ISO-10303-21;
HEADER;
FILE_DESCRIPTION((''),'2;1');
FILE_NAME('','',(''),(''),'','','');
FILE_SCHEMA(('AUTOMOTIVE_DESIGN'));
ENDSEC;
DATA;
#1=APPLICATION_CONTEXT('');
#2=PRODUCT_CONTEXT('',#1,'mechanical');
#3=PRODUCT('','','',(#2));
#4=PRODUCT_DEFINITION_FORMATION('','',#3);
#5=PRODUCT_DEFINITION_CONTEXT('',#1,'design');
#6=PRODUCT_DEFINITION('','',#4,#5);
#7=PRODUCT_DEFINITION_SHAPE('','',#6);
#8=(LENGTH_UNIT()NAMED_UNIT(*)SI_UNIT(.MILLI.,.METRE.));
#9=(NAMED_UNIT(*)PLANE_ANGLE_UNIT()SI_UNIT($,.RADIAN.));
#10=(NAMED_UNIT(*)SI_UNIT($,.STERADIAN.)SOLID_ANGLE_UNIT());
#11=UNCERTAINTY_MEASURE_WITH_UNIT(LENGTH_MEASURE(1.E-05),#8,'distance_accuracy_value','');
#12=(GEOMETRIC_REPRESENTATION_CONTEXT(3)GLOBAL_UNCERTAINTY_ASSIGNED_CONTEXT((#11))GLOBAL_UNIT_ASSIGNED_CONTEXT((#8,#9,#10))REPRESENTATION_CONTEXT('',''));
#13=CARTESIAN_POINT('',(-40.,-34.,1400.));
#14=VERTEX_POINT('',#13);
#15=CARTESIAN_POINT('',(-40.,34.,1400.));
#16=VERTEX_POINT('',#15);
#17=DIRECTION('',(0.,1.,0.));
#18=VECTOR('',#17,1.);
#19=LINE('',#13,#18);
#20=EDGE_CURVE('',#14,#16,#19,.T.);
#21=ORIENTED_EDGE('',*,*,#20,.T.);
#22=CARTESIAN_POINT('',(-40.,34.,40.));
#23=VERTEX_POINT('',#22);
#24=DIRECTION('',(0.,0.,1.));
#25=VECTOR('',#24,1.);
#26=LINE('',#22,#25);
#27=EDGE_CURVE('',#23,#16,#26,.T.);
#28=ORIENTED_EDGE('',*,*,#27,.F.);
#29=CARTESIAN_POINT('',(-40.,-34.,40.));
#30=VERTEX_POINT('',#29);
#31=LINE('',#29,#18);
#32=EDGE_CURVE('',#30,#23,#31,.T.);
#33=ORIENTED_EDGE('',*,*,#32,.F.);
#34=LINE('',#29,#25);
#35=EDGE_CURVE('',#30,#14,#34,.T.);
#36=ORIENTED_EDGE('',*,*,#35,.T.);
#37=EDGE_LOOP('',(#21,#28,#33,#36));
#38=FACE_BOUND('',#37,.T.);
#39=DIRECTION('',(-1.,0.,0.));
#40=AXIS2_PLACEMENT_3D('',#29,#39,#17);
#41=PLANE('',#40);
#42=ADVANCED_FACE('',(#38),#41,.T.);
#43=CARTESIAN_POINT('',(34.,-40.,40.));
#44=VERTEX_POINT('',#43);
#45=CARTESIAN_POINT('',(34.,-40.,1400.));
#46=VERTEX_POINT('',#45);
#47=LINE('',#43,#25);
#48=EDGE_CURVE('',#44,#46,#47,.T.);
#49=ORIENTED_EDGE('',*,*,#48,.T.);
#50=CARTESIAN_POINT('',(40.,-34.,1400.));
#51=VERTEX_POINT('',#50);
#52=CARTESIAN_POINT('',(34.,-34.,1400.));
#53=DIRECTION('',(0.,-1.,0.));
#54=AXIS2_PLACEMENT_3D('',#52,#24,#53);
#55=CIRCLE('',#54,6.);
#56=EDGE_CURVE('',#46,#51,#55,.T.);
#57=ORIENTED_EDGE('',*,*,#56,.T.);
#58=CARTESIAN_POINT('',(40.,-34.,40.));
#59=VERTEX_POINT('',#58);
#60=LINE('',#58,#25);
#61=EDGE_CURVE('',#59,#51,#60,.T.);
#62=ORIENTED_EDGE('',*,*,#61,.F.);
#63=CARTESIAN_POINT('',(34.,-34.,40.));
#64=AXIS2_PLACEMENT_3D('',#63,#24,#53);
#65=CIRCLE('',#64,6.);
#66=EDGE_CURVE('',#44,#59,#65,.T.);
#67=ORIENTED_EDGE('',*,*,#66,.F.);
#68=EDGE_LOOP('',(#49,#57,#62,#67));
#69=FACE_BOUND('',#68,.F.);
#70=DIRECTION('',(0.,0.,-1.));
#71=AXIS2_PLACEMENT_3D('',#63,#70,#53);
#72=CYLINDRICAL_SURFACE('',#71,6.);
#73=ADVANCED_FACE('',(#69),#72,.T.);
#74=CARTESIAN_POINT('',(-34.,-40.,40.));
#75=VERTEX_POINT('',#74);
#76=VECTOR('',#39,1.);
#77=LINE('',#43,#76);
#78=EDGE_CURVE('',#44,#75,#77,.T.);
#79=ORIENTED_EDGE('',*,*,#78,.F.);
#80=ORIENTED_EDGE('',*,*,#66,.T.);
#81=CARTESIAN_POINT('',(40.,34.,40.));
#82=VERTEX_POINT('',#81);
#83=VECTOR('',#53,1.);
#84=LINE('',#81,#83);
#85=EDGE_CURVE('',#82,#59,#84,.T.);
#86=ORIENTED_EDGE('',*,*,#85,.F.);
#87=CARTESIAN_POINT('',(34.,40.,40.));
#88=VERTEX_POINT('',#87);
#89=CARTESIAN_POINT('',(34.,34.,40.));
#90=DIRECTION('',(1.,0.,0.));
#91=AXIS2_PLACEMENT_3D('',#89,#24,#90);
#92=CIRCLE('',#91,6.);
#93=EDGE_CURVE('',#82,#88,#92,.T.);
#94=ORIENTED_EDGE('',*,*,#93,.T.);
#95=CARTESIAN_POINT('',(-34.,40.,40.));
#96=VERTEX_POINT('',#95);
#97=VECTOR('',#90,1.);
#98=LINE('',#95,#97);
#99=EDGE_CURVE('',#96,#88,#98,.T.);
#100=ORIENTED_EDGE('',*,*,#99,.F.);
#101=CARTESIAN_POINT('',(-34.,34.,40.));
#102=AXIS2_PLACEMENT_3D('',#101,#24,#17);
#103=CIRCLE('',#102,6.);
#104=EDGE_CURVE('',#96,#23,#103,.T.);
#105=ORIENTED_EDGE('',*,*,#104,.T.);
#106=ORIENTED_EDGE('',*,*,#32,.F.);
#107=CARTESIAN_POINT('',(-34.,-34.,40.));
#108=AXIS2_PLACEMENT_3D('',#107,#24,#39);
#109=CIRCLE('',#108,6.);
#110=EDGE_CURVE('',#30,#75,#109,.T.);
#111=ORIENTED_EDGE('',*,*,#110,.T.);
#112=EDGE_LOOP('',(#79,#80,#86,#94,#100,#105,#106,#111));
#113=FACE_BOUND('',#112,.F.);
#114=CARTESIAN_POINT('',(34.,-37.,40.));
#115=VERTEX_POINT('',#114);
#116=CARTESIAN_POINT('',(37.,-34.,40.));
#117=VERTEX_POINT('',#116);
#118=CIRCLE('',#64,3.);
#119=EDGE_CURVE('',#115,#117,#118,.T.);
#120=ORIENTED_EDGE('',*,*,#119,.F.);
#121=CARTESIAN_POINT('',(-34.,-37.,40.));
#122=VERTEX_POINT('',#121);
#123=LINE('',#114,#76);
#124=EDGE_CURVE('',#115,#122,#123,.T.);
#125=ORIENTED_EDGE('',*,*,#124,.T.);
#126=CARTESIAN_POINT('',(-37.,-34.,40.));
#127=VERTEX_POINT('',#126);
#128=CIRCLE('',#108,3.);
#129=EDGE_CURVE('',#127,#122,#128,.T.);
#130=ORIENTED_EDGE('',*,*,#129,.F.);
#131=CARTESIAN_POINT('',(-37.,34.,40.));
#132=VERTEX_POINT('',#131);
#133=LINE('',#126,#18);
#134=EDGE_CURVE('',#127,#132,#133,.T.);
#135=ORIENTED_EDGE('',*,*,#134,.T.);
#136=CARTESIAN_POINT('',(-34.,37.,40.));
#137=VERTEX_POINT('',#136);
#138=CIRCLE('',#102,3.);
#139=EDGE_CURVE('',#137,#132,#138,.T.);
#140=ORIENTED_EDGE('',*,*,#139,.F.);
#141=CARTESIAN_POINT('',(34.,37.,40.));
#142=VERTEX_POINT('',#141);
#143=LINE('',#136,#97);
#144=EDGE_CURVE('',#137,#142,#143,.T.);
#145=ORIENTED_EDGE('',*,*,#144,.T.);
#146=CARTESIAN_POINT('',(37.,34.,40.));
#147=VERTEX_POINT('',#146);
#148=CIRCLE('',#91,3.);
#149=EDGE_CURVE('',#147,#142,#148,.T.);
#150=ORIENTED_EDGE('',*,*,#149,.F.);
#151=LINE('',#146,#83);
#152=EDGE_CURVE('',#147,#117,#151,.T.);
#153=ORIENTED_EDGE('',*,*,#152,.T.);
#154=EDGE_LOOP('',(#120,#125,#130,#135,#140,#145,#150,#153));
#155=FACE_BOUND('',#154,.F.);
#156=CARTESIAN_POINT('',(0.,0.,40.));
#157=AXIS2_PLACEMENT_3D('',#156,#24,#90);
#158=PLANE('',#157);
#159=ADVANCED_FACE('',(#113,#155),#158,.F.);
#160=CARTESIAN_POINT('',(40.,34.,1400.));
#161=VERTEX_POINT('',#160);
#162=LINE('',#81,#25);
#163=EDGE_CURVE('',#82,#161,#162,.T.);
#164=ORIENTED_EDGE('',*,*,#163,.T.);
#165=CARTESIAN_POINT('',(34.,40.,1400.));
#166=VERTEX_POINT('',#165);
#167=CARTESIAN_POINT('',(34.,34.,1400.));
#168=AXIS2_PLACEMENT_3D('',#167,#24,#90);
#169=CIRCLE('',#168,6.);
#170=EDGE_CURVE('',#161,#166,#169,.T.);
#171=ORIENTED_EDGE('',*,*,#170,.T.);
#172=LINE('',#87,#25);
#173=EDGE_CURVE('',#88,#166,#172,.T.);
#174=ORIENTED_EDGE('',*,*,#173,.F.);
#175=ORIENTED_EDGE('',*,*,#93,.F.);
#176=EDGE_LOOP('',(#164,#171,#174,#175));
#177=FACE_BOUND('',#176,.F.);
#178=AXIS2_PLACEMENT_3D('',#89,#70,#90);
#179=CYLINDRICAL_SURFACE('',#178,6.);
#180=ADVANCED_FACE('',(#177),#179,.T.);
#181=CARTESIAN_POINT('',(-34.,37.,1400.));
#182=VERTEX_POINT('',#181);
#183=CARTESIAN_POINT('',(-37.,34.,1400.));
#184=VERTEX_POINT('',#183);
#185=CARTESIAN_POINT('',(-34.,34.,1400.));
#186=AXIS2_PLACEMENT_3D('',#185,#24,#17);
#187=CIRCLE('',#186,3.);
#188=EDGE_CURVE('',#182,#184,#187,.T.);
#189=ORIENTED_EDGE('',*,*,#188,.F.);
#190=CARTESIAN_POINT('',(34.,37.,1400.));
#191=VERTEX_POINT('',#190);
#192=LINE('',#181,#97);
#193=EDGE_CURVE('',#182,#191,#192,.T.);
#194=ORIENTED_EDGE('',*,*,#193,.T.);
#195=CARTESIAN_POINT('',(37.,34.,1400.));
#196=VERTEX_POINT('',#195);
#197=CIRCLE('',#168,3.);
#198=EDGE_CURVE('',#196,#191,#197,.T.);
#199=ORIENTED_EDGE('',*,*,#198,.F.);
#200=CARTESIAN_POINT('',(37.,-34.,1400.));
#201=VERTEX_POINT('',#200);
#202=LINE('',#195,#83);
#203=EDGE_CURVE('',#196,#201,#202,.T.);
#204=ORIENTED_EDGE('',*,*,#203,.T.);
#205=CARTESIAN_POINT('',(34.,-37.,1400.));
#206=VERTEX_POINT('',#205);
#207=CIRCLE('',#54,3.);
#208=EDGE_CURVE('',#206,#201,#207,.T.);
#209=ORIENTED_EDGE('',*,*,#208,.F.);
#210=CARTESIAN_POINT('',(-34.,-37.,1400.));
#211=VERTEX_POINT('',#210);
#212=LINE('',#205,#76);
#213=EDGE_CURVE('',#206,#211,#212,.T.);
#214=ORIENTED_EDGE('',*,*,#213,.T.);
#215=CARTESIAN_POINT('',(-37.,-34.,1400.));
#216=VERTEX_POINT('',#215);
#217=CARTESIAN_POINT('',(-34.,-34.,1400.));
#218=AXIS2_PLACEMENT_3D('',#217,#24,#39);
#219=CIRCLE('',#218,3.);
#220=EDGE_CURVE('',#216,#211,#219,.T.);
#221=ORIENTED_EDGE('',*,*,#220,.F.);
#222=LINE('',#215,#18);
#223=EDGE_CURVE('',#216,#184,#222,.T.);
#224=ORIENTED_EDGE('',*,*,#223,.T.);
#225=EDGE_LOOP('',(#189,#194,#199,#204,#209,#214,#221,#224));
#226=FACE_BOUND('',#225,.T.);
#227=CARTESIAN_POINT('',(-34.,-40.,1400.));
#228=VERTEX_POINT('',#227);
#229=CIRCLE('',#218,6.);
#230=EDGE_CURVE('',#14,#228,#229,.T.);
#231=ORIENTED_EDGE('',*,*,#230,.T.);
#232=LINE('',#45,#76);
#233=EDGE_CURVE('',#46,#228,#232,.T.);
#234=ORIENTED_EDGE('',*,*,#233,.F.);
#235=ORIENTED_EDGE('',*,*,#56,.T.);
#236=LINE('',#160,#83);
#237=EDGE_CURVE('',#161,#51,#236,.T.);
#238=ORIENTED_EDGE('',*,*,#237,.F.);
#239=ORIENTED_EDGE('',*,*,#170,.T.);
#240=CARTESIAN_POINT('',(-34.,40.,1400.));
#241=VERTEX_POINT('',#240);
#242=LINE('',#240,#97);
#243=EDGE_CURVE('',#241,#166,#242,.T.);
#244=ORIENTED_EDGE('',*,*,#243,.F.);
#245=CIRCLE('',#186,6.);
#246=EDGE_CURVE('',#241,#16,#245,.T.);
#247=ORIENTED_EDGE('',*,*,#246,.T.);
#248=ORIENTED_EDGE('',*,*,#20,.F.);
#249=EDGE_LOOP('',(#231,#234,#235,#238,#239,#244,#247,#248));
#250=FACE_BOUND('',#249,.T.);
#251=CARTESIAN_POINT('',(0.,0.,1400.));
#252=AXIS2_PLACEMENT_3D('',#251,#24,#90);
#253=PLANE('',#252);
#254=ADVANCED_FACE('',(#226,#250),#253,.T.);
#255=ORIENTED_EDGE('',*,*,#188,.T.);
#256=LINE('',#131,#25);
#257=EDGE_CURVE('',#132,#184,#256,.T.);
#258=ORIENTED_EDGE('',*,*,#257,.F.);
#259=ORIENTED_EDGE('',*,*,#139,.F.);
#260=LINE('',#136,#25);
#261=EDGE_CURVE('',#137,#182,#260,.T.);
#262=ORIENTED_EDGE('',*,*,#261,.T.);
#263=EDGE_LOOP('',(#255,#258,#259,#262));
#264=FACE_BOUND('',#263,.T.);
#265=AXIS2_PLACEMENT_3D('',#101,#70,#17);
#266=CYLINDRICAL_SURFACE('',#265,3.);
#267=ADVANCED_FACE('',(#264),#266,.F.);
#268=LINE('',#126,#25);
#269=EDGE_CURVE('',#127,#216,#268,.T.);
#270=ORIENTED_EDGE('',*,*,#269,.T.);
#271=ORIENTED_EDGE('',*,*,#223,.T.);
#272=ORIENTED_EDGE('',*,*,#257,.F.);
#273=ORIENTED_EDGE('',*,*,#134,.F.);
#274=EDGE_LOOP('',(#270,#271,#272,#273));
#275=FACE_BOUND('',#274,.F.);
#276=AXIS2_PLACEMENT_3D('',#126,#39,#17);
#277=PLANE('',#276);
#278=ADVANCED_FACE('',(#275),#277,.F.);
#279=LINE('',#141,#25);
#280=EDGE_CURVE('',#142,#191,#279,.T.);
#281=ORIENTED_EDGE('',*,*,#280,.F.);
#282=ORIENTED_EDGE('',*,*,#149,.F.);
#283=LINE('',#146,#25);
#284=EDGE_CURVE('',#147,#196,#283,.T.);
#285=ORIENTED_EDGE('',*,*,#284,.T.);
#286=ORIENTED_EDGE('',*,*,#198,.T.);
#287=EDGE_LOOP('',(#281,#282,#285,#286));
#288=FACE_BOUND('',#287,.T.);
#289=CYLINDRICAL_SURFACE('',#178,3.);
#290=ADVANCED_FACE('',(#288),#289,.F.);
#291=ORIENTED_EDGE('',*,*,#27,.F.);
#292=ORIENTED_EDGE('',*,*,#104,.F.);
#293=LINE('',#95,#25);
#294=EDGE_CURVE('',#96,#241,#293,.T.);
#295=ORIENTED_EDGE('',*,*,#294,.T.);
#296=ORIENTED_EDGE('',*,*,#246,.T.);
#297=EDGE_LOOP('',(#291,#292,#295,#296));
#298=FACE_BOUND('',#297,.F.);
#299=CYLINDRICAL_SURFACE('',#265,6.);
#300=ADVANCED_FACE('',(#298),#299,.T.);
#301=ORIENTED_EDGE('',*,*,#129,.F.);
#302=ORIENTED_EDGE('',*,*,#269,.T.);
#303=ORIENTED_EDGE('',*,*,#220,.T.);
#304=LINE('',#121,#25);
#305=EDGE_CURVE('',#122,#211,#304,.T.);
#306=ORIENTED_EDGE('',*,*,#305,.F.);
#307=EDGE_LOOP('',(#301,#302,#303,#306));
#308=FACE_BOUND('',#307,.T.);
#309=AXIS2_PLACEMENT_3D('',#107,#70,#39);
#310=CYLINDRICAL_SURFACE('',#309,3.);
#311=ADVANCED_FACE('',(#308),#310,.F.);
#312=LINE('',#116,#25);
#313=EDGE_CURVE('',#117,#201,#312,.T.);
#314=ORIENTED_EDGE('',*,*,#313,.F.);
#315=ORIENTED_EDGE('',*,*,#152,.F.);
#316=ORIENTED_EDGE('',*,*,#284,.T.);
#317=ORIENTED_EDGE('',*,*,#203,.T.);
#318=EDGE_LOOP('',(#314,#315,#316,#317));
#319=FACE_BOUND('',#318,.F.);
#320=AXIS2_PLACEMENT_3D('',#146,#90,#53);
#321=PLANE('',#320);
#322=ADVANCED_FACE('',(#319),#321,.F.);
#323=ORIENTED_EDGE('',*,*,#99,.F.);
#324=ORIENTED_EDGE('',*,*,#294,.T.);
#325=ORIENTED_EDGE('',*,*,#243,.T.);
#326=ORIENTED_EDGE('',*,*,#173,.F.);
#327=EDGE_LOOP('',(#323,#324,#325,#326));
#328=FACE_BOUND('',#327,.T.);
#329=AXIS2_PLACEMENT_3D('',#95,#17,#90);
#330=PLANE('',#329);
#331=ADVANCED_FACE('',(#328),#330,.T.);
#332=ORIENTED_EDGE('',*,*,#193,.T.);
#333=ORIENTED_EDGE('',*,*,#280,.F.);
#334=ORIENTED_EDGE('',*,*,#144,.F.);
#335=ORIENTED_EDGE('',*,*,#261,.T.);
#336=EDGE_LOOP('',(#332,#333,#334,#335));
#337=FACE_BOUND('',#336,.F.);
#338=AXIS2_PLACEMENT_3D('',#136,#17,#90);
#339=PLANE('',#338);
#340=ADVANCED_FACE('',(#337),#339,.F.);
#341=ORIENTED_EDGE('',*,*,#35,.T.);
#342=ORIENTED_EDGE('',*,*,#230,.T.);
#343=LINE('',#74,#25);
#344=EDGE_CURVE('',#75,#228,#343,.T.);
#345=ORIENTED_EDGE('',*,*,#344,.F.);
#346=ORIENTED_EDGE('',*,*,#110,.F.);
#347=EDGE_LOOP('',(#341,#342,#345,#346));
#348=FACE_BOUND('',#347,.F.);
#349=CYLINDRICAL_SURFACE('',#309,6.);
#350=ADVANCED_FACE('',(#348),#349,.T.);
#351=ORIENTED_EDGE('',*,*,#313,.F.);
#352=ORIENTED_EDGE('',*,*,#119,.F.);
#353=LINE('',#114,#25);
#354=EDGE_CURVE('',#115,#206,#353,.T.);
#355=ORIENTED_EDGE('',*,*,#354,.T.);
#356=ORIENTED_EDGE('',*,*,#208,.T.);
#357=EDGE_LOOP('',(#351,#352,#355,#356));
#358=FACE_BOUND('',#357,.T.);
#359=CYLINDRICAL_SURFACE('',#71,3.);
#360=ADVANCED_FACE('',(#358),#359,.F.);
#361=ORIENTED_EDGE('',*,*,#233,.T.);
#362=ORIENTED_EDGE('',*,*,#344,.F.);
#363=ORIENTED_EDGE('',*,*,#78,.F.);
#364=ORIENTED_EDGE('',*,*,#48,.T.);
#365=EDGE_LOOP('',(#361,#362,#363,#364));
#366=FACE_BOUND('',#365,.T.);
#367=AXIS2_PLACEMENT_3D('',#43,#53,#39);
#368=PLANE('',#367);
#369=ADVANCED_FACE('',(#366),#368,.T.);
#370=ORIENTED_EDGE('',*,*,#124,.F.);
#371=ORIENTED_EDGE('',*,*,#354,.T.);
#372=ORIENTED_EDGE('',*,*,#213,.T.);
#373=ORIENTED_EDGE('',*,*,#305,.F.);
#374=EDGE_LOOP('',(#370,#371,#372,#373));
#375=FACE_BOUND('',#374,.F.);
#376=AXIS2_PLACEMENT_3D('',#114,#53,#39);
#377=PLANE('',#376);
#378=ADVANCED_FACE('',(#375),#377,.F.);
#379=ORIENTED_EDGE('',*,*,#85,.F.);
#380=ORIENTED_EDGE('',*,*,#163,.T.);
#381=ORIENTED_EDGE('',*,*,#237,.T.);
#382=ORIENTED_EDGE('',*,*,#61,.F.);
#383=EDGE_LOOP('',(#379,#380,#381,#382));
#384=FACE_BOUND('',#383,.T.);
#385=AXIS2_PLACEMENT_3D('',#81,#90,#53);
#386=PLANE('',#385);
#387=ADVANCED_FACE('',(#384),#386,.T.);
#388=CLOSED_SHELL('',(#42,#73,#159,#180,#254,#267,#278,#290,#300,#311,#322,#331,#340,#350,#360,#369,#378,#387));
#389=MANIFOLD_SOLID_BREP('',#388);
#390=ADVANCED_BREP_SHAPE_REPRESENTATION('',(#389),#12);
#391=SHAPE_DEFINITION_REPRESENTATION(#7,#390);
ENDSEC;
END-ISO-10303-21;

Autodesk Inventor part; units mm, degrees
ref_plane "YZ Plane" through (0, 0, 0) normal (1, 0, 0) x (0, 1, 0)
ref_plane "Start Plane" through (0, 0, 40) normal (0, 0, 1) x (1, 0, 0)
ref_plane "End Plane" through (0, 0, 1400) normal (0, 0, 1) x (1, 0, 0)
sketch "Sketch" plane through (0, 0, 0) normal (0, 0, 1) x (1, 0, 0)
  line L0 (-40, -34) -> (-40, 34)
  line L1 (-34, 40) -> (34, 40)
  line L2 (40, 34) -> (40, -34)
  line L3 (34, -40) -> (-34, -40)
  arc A0 (-40, -34) -> (-34, -40) centre (-34, -34) ccw
  arc A1 (40, 34) -> (34, 40) centre (34, 34) ccw
  arc A2 (-34, 40) -> (-40, 34) centre (-34, 34) ccw
  arc A3 (34, -40) -> (40, -34) centre (34, -34) ccw
  arc A4 (-34, 37) -> (-37, 34) centre (-34, 34) ccw
  line L4 (-34, 37) -> (34, 37)
  arc A5 (37, 34) -> (34, 37) centre (34, 34) ccw
  line L5 (37, 34) -> (37, -34)
  arc A6 (34, -37) -> (37, -34) centre (34, -34) ccw
  line L6 (34, -37) -> (-34, -37)
  arc A7 (-37, -34) -> (-34, -37) centre (-34, -34) ccw
  line L7 (-37, -34) -> (-37, 34)
  line L8 (0, 57.7397) -> (0, -57.7397) construction
  line L9 (-57.7397, 0) -> (57.7397, 0) construction
  dimension "d7" = 6
  dimension "d9" = 80
  dimension "d11" = 80
  dimension "d12" = 3
  dimension "d15" = 40
  dimension "d16" = 40
extrude "Body" add sketch "Sketch" along normal up to surface (1360 mm away) from surface at 40
sketch "Sketch3" plane through (0, 0, 0) normal (0, 0, 1) x (1, 0, 0)
  line L0 (0, 0) -> (10, 0)
ref_plane "Work Plane3" through (0, 0, 0) normal (0, -1, 0) x (1, 0, 0)
sketch "Sketch4" plane through (0, 0, 0) normal (0, -1, 0) x (1, 0, 0)
  line L0 (-2, 40) -> (12, 40) projected
  line L1 (-2, 1400) -> (12, 1400) projected
  dimension "d18" = 1360
equation "\"d7\" = G_IR"
equation "\"d9\" = G_W"
equation "\"d11\" = G_H"
equation "\"d12\" = G_T"
equation "\"d15\" = 0.5 * d9"
equation "\"d16\" = 0.5 * d11"
equation "\"d3\" = G_L"
equation "\"G_W\" = 80"
equation "\"G_H\" = 80"
equation "\"G_T\" = 3"
equation "\"G_IR\" = 6"
equation "\"G_L\" = d18"
properties part number "ISO 4019 - 80x80x3 - 1360" material "Steel, Mild"
